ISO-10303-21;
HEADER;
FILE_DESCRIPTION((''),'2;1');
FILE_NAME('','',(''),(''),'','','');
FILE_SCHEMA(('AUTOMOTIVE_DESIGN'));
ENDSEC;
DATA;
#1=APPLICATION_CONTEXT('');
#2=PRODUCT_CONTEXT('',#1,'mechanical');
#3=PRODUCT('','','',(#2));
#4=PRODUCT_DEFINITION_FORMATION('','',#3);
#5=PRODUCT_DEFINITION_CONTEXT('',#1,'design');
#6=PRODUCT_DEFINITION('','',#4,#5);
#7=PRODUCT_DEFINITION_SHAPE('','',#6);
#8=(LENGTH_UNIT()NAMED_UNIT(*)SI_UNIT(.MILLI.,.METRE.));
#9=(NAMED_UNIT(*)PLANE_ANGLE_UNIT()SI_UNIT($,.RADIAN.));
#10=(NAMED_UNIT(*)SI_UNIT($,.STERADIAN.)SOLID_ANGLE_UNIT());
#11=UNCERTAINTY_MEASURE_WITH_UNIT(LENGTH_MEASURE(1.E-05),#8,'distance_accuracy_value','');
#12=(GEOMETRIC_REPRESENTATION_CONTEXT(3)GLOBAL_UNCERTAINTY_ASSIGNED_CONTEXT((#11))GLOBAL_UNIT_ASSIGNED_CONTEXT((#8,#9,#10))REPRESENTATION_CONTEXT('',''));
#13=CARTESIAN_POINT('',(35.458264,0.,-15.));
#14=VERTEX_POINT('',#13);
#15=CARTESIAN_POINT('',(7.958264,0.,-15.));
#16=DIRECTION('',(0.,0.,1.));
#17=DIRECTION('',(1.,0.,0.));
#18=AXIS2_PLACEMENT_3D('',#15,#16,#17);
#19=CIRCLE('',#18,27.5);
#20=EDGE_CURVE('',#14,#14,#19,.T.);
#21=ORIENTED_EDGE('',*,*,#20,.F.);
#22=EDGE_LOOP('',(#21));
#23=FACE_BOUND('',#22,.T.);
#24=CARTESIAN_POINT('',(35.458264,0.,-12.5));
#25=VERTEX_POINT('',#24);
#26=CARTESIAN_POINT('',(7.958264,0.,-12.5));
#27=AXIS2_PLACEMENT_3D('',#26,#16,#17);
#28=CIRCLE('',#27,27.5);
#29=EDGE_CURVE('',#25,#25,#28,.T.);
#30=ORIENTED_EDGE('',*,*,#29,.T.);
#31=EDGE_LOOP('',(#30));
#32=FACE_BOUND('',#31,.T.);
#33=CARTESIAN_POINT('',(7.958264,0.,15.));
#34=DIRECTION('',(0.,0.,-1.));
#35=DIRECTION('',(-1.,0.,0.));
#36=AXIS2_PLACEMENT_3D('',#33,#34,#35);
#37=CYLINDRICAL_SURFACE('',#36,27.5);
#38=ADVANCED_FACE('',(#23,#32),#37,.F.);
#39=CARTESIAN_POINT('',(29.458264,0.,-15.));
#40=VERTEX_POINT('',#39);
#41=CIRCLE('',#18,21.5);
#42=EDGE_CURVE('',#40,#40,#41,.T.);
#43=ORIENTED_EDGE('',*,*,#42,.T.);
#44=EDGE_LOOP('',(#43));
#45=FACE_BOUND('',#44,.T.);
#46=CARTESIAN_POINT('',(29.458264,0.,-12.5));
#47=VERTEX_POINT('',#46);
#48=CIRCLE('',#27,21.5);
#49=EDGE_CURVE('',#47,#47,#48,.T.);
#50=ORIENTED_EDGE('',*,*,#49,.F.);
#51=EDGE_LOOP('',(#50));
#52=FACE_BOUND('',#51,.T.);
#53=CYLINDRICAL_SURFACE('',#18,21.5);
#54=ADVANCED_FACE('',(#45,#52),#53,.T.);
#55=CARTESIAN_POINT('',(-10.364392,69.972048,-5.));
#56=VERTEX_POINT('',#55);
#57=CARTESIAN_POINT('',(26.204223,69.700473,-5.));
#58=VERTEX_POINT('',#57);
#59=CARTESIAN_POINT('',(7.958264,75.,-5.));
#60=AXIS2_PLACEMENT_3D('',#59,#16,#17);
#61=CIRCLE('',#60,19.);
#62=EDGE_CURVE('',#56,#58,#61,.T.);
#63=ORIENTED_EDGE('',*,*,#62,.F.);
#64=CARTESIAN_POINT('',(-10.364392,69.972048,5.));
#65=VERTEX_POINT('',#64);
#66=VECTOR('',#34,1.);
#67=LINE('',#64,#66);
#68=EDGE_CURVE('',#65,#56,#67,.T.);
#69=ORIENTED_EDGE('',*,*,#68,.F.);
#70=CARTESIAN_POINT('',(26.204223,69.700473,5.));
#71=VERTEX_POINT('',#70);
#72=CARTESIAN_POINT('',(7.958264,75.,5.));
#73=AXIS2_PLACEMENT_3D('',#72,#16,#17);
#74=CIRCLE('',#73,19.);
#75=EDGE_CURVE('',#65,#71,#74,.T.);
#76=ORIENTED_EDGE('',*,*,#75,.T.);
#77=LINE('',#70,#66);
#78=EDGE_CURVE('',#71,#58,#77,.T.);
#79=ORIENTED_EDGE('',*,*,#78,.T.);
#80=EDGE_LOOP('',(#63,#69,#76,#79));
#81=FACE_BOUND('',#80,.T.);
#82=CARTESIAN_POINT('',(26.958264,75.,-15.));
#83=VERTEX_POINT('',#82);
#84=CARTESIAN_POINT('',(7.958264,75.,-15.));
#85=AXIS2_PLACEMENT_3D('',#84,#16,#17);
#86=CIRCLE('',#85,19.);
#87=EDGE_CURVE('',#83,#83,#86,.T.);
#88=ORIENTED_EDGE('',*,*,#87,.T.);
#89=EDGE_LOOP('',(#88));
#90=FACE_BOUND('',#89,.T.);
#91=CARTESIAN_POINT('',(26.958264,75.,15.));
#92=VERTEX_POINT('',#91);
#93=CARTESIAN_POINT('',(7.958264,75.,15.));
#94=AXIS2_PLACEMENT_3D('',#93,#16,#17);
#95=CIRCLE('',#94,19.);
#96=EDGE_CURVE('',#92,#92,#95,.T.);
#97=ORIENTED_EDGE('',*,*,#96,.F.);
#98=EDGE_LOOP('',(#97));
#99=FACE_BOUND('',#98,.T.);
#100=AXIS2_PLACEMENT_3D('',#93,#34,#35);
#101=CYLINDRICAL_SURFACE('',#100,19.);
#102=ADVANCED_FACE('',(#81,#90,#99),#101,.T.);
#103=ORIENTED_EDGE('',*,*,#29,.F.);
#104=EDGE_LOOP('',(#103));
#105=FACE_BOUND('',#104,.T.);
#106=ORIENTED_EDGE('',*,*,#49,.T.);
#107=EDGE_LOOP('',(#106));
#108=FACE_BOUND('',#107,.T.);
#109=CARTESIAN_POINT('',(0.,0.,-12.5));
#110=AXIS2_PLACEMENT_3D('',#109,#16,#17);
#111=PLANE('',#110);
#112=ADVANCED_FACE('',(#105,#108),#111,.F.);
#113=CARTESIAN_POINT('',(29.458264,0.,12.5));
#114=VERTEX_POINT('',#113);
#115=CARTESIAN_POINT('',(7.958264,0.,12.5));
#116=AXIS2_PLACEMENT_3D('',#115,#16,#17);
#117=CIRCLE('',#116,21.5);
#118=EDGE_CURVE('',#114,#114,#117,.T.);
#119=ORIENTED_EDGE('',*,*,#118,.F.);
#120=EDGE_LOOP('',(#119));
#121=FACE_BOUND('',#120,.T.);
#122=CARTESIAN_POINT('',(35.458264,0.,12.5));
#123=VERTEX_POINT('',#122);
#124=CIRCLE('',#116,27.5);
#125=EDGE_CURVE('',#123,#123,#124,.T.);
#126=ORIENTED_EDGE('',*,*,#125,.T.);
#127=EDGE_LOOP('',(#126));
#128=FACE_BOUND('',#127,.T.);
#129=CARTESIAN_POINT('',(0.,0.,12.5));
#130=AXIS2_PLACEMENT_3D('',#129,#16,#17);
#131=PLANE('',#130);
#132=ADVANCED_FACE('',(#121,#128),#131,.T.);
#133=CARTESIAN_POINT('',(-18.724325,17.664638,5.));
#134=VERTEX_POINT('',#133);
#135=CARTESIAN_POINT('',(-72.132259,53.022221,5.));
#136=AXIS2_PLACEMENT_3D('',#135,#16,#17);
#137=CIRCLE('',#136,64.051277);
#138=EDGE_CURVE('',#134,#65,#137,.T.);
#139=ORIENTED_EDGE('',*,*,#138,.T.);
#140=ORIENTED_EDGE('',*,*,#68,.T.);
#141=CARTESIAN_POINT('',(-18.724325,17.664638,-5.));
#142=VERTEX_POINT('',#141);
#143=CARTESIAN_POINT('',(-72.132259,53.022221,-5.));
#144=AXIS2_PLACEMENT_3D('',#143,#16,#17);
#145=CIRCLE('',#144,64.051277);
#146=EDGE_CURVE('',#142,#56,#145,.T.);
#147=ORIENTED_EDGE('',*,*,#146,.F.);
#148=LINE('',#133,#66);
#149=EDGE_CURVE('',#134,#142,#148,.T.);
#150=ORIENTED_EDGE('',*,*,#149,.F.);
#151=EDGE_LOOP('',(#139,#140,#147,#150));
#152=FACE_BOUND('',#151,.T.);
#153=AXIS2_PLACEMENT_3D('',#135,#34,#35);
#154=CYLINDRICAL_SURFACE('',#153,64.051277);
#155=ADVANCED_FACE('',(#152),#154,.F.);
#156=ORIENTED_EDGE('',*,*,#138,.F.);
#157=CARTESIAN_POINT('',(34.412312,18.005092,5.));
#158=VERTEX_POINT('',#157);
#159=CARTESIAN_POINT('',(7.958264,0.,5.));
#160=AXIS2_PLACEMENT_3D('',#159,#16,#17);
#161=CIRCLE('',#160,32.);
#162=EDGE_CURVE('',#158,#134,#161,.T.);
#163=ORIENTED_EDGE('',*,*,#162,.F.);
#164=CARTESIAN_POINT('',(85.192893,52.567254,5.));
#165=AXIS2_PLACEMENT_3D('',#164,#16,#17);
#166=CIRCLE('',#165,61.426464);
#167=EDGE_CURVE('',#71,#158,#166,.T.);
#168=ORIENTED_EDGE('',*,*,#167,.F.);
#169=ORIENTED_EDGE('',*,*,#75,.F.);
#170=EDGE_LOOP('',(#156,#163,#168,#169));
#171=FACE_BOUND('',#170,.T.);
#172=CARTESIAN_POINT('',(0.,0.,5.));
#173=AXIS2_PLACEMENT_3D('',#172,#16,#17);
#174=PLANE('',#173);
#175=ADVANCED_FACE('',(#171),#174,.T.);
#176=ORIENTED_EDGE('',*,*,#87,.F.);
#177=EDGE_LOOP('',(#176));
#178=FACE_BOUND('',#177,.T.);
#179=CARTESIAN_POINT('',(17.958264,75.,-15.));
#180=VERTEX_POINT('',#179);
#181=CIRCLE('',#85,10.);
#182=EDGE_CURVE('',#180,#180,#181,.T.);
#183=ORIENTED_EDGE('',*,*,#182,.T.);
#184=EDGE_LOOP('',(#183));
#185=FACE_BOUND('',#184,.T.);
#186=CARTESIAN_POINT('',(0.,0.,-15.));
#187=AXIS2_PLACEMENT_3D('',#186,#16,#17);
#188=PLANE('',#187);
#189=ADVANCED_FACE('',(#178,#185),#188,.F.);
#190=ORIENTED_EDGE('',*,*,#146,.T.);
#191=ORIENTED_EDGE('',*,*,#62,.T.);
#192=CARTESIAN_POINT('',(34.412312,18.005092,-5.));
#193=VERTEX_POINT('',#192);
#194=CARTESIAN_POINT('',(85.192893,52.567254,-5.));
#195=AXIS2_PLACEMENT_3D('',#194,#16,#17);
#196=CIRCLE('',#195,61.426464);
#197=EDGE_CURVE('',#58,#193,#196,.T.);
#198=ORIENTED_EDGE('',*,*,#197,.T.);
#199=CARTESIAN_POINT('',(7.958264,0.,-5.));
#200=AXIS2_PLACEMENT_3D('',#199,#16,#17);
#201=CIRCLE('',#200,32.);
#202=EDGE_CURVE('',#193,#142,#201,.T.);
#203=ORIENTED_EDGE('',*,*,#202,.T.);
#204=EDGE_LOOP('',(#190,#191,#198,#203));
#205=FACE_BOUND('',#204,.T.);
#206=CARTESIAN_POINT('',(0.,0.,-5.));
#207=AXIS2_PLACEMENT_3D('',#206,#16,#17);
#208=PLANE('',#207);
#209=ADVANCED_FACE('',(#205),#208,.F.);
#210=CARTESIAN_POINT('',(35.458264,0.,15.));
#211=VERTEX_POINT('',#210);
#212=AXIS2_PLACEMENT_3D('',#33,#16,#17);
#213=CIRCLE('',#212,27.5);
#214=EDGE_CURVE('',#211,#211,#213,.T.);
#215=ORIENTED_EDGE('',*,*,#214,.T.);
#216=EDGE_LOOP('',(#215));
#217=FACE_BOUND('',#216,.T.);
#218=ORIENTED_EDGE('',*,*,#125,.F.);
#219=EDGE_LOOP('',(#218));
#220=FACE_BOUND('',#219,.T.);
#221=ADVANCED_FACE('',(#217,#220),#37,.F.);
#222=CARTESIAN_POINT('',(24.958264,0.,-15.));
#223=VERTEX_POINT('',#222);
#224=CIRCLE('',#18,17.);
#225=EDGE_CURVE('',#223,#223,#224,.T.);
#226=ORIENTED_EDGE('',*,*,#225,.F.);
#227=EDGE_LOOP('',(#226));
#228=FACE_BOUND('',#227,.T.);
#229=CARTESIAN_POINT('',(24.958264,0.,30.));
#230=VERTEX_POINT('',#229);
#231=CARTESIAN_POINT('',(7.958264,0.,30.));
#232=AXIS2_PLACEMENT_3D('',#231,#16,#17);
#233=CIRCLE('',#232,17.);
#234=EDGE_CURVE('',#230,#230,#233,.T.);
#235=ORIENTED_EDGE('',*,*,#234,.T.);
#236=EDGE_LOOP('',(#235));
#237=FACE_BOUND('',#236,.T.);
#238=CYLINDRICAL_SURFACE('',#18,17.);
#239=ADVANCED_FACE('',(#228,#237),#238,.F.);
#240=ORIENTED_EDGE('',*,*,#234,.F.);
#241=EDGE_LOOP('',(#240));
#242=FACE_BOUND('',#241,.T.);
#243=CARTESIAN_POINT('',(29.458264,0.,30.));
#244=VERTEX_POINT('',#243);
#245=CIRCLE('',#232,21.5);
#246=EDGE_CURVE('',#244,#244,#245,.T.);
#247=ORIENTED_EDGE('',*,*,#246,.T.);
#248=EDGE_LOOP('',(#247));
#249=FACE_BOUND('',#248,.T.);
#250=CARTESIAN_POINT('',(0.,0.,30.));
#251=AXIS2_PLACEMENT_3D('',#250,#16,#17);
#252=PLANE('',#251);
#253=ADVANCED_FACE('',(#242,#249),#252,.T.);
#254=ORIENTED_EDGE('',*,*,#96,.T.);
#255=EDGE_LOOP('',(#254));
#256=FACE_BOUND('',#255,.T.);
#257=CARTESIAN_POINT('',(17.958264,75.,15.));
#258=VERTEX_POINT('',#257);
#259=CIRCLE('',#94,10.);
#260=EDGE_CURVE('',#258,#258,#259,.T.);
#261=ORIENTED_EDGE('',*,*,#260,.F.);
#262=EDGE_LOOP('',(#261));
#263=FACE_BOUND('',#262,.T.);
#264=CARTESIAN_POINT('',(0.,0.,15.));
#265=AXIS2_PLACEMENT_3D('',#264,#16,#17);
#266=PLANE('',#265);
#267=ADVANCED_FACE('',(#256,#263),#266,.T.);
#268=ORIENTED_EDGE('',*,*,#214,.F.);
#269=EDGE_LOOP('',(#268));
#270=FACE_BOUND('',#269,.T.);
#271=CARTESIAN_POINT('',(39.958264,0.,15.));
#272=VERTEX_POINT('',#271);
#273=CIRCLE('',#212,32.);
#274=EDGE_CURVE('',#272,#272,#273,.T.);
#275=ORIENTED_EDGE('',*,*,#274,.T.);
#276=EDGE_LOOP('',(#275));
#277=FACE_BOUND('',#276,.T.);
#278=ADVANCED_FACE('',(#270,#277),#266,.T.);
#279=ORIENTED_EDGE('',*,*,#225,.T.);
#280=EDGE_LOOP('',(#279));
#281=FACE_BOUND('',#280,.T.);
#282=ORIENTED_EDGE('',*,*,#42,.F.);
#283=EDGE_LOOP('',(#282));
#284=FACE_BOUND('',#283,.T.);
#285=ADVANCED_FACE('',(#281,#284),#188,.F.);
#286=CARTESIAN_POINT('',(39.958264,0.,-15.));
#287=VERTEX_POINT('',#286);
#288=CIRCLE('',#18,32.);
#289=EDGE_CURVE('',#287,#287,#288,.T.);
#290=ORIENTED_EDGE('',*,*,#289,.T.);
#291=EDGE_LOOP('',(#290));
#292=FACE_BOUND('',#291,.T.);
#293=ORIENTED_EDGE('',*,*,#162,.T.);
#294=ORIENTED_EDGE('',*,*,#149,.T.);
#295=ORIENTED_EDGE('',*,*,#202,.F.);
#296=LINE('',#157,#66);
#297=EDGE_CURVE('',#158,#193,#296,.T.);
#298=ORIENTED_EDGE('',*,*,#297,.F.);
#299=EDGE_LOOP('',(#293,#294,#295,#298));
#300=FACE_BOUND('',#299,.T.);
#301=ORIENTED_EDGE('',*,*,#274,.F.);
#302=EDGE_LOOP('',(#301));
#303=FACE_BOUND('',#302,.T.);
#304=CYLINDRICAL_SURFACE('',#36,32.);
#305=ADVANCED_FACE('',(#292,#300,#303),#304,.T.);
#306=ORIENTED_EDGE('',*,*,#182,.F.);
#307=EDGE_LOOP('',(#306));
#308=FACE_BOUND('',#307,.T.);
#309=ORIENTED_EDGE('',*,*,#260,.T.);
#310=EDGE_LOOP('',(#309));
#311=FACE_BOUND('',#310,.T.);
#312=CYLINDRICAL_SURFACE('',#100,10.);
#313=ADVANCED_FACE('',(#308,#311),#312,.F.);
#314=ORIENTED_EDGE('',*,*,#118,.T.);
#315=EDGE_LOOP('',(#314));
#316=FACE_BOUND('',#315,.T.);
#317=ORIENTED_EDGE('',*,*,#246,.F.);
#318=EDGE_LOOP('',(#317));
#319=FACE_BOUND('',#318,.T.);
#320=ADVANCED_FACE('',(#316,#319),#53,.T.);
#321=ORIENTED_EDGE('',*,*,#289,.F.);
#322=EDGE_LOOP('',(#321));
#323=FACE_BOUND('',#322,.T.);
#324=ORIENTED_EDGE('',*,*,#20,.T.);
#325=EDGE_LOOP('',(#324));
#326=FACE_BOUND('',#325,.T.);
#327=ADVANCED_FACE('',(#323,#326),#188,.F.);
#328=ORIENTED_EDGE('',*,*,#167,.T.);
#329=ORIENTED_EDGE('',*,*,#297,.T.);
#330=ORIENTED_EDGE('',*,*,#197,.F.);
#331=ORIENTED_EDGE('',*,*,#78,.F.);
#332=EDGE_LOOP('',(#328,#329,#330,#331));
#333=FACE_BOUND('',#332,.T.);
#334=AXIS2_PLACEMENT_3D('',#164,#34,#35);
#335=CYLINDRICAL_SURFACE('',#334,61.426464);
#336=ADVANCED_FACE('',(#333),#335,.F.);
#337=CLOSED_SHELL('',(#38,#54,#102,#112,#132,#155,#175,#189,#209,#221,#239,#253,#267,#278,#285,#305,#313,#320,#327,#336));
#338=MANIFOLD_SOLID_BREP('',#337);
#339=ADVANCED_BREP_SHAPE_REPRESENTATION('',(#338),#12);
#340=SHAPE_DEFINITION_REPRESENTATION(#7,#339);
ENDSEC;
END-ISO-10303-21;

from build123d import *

# Parameters (mm, degrees)
BOSS_EXTRUDE1_DEPTH      = 5
SKETCH2_3_R              = 19
SKETCH2_3_R_2            = 10
BOSS_EXTRUDE2_DEPTH      = 15
SKETCH2_5_R              = 32
SKETCH2_5_R_2            = 27.5
BOSS_EXTRUDE3_DEPTH      = 15
BOSS_EXTRUDE4_DEPTH      = 30
BOSS_EXTRUDE4_DEPTH_BACK = 15
SKETCH2_6_R              = 21.5
SKETCH2_6_R_2            = 17
SKETCH2_7_R              = 27.5
SKETCH2_7_R_2            = 21.5
BOSS_EXTRUDE5_DEPTH      = 12.5


with BuildPart() as part:
    # Sketch2 → Boss-Extrude1 (new, symmetric)
    with BuildSketch(Plane.XY):
        with BuildLine():
            ThreePointArc((-18.724325041, 17.664638492), (7.753239465, 31.999343197), (34.412311606, 18.005092456))
            ThreePointArc((34.412311606, 18.005092456), (24.526384504, 42.934747234), (26.204222758, 69.700473468))
            ThreePointArc((26.204222758, 69.700473468), (7.817165129, 56.000523924), (-10.364391673, 69.972048465))
            ThreePointArc((-10.364391673, 69.972048465), (-8.883681263, 42.913636414), (-18.724325041, 17.664638492))
        make_face()
    extrude(amount=BOSS_EXTRUDE1_DEPTH, both=True)

    # Sketch2<3> → Boss-Extrude2 (add, symmetric)
    with BuildSketch(Plane.XY):
        with Locations((7.958263794, 75)):
            Circle(SKETCH2_3_R)
        with Locations((7.958263794, 75)):
            Circle(SKETCH2_3_R_2, mode=Mode.SUBTRACT)
    extrude(amount=BOSS_EXTRUDE2_DEPTH, both=True)

    # Sketch2<5> → Boss-Extrude3 (add, symmetric)
    with BuildSketch(Plane.XY):
        with Locations((7.958263794, 0)):
            Circle(SKETCH2_5_R)
        with Locations((7.958263794, 0)):
            Circle(SKETCH2_5_R_2, mode=Mode.SUBTRACT)
    extrude(amount=BOSS_EXTRUDE3_DEPTH, both=True)



with BuildPart() as body_2:
    # Sketch2<6> → Boss-Extrude4 (new, two sides: drawn at the far end of the back side and taken through both)
    with BuildSketch(Plane.XY.offset(-BOSS_EXTRUDE4_DEPTH_BACK)):
        with Locations((7.958263794, 0)):
            Circle(SKETCH2_6_R)
        with Locations((7.958263794, 0)):
            Circle(SKETCH2_6_R_2, mode=Mode.SUBTRACT)
    extrude(amount=BOSS_EXTRUDE4_DEPTH + BOSS_EXTRUDE4_DEPTH_BACK)


with BuildPart() as part_1:
    add(part.part)

    add(body_2.part)  # Boss-Extrude5 merges body 2
    # Sketch2<7> → Boss-Extrude5 (add, symmetric)
    with BuildSketch(Plane.XY):
        with Locations((7.958263794, 0)):
            Circle(SKETCH2_7_R)
        with Locations((7.958263794, 0)):
            Circle(SKETCH2_7_R_2, mode=Mode.SUBTRACT)
    extrude(amount=BOSS_EXTRUDE5_DEPTH, both=True)


solid = part_1.part
